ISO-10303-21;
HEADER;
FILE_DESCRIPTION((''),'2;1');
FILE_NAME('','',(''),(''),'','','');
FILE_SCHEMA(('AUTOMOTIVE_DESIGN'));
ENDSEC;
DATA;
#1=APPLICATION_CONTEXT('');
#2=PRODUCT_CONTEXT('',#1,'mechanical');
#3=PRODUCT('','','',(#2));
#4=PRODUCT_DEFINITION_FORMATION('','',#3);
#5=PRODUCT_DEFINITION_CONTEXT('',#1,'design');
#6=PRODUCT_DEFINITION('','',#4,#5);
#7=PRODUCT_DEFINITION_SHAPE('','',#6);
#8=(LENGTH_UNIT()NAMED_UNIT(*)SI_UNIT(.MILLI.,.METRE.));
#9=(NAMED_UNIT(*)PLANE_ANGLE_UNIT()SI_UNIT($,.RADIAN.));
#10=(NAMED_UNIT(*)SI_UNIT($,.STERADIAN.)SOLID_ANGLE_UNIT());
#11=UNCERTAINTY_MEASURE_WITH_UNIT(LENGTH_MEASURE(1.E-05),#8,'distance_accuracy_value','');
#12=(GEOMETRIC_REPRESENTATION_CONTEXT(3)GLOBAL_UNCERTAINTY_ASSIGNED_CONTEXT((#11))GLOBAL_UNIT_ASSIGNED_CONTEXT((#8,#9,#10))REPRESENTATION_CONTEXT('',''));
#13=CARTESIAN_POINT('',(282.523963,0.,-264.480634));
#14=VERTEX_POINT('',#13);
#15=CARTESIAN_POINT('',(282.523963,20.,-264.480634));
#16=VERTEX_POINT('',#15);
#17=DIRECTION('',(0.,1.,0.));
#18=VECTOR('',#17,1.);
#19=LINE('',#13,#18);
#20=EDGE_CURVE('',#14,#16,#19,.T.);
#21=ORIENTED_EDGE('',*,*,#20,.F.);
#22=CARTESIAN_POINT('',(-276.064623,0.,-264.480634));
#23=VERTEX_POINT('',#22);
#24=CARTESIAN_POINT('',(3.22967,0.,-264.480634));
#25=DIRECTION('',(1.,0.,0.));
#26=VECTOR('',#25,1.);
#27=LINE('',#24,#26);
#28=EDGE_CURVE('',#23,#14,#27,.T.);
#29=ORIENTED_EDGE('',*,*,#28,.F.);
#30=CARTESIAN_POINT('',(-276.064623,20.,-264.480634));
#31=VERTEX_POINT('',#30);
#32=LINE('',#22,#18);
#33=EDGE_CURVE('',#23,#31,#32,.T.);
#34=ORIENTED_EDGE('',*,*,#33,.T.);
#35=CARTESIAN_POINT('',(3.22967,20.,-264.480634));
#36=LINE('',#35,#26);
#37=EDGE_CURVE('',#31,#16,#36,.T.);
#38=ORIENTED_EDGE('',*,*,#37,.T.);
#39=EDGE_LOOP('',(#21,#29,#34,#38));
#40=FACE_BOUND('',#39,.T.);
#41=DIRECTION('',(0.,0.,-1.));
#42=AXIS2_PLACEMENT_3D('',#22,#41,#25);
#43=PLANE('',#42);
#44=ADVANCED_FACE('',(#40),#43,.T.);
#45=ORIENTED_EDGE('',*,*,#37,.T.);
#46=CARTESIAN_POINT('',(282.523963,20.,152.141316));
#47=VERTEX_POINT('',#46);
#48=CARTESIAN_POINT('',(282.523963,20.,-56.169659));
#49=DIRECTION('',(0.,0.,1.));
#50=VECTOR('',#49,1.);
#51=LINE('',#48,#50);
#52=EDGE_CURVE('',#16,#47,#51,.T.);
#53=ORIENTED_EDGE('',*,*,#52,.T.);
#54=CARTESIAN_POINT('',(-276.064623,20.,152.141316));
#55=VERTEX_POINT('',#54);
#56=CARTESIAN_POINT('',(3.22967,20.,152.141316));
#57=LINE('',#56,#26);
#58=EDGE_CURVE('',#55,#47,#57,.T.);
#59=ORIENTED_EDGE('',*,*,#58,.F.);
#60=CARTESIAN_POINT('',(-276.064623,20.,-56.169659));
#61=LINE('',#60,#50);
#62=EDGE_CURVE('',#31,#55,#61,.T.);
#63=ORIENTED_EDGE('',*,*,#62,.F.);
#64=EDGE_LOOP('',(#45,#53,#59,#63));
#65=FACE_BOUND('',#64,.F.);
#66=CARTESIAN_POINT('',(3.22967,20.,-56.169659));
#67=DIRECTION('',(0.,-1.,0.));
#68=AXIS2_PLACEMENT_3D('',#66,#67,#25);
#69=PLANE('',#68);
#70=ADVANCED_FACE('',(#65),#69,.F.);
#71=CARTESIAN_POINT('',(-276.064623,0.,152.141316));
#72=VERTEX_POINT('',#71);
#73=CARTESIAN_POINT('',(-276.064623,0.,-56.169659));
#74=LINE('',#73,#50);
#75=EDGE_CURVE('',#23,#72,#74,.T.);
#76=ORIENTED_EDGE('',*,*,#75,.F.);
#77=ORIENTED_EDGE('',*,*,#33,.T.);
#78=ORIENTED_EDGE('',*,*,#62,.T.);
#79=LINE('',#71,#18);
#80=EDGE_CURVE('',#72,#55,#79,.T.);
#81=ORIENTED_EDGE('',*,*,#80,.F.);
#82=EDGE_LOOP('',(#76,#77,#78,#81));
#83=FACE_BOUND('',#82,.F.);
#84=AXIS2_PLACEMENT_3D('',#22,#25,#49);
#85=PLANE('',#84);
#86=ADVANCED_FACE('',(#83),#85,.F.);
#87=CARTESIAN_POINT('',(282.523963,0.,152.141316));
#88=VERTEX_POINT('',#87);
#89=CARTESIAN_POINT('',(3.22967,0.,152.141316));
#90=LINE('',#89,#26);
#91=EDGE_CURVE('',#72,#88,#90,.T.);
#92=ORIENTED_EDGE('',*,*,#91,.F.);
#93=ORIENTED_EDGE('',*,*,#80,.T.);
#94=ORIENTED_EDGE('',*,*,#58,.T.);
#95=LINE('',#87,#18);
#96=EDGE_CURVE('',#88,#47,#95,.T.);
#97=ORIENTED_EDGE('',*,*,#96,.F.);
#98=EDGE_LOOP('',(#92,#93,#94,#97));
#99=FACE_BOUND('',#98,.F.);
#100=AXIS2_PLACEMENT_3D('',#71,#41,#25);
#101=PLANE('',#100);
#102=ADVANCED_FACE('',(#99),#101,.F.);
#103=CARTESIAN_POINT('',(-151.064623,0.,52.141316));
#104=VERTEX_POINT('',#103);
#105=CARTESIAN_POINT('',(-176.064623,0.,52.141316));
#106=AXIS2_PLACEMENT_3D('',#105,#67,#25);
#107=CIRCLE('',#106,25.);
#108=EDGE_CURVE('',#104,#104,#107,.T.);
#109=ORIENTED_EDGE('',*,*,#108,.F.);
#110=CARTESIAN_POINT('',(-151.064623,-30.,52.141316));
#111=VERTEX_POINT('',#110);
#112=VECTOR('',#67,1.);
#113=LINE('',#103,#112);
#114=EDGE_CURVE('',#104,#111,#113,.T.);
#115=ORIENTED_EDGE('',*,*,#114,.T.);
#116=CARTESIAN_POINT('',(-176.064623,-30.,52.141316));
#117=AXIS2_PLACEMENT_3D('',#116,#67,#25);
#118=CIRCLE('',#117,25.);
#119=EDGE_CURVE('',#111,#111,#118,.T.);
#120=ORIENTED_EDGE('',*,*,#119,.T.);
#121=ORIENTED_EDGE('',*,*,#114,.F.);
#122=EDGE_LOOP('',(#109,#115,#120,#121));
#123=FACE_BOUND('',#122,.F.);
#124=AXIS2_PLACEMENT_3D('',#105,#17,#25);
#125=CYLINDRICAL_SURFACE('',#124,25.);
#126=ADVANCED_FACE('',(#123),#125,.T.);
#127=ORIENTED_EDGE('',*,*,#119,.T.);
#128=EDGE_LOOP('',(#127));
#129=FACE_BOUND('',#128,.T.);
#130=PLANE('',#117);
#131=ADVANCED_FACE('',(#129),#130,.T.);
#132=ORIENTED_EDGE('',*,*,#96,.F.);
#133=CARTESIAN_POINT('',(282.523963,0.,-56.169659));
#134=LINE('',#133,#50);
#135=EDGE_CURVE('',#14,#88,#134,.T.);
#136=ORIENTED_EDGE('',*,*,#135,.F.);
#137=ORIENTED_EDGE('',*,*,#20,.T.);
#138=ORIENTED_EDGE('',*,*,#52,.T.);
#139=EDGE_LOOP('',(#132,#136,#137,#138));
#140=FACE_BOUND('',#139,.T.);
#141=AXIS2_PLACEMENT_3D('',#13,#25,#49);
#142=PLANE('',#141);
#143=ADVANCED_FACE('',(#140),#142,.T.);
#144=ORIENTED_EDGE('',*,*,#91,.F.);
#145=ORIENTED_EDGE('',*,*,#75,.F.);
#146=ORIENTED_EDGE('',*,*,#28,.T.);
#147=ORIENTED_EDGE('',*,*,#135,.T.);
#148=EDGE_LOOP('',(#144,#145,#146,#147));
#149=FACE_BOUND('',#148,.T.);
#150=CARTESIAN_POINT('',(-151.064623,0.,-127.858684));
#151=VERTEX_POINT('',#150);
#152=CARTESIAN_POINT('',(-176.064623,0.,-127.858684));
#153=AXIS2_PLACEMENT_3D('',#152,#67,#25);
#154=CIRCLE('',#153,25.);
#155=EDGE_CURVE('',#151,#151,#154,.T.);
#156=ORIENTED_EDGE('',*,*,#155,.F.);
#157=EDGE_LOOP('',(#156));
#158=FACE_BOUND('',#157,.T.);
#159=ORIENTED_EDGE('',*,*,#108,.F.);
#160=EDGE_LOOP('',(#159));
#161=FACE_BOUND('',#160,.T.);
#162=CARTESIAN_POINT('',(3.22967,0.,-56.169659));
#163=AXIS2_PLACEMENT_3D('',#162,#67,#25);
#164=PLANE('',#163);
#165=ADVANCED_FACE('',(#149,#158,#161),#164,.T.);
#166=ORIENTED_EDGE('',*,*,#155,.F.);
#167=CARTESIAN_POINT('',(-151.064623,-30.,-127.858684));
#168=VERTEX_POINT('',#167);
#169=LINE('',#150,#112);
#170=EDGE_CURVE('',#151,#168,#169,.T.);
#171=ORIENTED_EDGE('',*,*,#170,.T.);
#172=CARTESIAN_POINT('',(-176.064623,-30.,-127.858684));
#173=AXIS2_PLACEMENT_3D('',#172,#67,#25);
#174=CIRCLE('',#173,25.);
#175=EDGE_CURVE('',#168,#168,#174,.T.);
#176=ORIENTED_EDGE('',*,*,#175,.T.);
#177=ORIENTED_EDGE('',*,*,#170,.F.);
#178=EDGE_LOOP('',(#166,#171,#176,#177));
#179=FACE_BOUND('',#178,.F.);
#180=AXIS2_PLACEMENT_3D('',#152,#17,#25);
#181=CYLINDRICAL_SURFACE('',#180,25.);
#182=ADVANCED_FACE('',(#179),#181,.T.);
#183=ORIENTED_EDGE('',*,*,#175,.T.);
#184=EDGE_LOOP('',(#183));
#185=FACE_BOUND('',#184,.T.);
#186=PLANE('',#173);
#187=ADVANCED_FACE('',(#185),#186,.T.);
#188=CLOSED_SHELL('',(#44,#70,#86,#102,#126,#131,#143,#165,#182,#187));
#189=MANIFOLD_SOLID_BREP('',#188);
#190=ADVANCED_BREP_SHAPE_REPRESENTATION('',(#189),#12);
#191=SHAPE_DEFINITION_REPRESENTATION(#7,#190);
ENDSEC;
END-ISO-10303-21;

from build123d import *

# Parameters (mm, degrees)
F0_W     = 558.588586
F0_H     = 416.62195
F0_R     = 25
F1_DEPTH = 20
F2_DEPTH = 30


with BuildPart() as f1:
    # F0 (on Front) → F1 (new body)
    with BuildSketch(Plane.XZ):
        with Locations((3.22967, -56.169659)):
            Rectangle(F0_W, F0_H)
        with Locations((-176.064623, -127.858684)):
            Circle(F0_R, mode=Mode.SUBTRACT)
        with Locations((-176.064623, 52.141316)):
            Circle(F0_R, mode=Mode.SUBTRACT)
        with Locations((-176.064623, 52.141316)):
            Circle(F0_R)
        with Locations((-176.064623, -127.858684)):
            Circle(F0_R)
    extrude(amount=-F1_DEPTH)

    # F0 (on Front) → F2 (join)
    with BuildSketch(Plane.XZ):
        with Locations((-176.064623, 52.141316)):
            Circle(F0_R)
        with Locations((-176.064623, -127.858684)):
            Circle(F0_R)
    extrude(amount=F2_DEPTH)


solid = f1.part
